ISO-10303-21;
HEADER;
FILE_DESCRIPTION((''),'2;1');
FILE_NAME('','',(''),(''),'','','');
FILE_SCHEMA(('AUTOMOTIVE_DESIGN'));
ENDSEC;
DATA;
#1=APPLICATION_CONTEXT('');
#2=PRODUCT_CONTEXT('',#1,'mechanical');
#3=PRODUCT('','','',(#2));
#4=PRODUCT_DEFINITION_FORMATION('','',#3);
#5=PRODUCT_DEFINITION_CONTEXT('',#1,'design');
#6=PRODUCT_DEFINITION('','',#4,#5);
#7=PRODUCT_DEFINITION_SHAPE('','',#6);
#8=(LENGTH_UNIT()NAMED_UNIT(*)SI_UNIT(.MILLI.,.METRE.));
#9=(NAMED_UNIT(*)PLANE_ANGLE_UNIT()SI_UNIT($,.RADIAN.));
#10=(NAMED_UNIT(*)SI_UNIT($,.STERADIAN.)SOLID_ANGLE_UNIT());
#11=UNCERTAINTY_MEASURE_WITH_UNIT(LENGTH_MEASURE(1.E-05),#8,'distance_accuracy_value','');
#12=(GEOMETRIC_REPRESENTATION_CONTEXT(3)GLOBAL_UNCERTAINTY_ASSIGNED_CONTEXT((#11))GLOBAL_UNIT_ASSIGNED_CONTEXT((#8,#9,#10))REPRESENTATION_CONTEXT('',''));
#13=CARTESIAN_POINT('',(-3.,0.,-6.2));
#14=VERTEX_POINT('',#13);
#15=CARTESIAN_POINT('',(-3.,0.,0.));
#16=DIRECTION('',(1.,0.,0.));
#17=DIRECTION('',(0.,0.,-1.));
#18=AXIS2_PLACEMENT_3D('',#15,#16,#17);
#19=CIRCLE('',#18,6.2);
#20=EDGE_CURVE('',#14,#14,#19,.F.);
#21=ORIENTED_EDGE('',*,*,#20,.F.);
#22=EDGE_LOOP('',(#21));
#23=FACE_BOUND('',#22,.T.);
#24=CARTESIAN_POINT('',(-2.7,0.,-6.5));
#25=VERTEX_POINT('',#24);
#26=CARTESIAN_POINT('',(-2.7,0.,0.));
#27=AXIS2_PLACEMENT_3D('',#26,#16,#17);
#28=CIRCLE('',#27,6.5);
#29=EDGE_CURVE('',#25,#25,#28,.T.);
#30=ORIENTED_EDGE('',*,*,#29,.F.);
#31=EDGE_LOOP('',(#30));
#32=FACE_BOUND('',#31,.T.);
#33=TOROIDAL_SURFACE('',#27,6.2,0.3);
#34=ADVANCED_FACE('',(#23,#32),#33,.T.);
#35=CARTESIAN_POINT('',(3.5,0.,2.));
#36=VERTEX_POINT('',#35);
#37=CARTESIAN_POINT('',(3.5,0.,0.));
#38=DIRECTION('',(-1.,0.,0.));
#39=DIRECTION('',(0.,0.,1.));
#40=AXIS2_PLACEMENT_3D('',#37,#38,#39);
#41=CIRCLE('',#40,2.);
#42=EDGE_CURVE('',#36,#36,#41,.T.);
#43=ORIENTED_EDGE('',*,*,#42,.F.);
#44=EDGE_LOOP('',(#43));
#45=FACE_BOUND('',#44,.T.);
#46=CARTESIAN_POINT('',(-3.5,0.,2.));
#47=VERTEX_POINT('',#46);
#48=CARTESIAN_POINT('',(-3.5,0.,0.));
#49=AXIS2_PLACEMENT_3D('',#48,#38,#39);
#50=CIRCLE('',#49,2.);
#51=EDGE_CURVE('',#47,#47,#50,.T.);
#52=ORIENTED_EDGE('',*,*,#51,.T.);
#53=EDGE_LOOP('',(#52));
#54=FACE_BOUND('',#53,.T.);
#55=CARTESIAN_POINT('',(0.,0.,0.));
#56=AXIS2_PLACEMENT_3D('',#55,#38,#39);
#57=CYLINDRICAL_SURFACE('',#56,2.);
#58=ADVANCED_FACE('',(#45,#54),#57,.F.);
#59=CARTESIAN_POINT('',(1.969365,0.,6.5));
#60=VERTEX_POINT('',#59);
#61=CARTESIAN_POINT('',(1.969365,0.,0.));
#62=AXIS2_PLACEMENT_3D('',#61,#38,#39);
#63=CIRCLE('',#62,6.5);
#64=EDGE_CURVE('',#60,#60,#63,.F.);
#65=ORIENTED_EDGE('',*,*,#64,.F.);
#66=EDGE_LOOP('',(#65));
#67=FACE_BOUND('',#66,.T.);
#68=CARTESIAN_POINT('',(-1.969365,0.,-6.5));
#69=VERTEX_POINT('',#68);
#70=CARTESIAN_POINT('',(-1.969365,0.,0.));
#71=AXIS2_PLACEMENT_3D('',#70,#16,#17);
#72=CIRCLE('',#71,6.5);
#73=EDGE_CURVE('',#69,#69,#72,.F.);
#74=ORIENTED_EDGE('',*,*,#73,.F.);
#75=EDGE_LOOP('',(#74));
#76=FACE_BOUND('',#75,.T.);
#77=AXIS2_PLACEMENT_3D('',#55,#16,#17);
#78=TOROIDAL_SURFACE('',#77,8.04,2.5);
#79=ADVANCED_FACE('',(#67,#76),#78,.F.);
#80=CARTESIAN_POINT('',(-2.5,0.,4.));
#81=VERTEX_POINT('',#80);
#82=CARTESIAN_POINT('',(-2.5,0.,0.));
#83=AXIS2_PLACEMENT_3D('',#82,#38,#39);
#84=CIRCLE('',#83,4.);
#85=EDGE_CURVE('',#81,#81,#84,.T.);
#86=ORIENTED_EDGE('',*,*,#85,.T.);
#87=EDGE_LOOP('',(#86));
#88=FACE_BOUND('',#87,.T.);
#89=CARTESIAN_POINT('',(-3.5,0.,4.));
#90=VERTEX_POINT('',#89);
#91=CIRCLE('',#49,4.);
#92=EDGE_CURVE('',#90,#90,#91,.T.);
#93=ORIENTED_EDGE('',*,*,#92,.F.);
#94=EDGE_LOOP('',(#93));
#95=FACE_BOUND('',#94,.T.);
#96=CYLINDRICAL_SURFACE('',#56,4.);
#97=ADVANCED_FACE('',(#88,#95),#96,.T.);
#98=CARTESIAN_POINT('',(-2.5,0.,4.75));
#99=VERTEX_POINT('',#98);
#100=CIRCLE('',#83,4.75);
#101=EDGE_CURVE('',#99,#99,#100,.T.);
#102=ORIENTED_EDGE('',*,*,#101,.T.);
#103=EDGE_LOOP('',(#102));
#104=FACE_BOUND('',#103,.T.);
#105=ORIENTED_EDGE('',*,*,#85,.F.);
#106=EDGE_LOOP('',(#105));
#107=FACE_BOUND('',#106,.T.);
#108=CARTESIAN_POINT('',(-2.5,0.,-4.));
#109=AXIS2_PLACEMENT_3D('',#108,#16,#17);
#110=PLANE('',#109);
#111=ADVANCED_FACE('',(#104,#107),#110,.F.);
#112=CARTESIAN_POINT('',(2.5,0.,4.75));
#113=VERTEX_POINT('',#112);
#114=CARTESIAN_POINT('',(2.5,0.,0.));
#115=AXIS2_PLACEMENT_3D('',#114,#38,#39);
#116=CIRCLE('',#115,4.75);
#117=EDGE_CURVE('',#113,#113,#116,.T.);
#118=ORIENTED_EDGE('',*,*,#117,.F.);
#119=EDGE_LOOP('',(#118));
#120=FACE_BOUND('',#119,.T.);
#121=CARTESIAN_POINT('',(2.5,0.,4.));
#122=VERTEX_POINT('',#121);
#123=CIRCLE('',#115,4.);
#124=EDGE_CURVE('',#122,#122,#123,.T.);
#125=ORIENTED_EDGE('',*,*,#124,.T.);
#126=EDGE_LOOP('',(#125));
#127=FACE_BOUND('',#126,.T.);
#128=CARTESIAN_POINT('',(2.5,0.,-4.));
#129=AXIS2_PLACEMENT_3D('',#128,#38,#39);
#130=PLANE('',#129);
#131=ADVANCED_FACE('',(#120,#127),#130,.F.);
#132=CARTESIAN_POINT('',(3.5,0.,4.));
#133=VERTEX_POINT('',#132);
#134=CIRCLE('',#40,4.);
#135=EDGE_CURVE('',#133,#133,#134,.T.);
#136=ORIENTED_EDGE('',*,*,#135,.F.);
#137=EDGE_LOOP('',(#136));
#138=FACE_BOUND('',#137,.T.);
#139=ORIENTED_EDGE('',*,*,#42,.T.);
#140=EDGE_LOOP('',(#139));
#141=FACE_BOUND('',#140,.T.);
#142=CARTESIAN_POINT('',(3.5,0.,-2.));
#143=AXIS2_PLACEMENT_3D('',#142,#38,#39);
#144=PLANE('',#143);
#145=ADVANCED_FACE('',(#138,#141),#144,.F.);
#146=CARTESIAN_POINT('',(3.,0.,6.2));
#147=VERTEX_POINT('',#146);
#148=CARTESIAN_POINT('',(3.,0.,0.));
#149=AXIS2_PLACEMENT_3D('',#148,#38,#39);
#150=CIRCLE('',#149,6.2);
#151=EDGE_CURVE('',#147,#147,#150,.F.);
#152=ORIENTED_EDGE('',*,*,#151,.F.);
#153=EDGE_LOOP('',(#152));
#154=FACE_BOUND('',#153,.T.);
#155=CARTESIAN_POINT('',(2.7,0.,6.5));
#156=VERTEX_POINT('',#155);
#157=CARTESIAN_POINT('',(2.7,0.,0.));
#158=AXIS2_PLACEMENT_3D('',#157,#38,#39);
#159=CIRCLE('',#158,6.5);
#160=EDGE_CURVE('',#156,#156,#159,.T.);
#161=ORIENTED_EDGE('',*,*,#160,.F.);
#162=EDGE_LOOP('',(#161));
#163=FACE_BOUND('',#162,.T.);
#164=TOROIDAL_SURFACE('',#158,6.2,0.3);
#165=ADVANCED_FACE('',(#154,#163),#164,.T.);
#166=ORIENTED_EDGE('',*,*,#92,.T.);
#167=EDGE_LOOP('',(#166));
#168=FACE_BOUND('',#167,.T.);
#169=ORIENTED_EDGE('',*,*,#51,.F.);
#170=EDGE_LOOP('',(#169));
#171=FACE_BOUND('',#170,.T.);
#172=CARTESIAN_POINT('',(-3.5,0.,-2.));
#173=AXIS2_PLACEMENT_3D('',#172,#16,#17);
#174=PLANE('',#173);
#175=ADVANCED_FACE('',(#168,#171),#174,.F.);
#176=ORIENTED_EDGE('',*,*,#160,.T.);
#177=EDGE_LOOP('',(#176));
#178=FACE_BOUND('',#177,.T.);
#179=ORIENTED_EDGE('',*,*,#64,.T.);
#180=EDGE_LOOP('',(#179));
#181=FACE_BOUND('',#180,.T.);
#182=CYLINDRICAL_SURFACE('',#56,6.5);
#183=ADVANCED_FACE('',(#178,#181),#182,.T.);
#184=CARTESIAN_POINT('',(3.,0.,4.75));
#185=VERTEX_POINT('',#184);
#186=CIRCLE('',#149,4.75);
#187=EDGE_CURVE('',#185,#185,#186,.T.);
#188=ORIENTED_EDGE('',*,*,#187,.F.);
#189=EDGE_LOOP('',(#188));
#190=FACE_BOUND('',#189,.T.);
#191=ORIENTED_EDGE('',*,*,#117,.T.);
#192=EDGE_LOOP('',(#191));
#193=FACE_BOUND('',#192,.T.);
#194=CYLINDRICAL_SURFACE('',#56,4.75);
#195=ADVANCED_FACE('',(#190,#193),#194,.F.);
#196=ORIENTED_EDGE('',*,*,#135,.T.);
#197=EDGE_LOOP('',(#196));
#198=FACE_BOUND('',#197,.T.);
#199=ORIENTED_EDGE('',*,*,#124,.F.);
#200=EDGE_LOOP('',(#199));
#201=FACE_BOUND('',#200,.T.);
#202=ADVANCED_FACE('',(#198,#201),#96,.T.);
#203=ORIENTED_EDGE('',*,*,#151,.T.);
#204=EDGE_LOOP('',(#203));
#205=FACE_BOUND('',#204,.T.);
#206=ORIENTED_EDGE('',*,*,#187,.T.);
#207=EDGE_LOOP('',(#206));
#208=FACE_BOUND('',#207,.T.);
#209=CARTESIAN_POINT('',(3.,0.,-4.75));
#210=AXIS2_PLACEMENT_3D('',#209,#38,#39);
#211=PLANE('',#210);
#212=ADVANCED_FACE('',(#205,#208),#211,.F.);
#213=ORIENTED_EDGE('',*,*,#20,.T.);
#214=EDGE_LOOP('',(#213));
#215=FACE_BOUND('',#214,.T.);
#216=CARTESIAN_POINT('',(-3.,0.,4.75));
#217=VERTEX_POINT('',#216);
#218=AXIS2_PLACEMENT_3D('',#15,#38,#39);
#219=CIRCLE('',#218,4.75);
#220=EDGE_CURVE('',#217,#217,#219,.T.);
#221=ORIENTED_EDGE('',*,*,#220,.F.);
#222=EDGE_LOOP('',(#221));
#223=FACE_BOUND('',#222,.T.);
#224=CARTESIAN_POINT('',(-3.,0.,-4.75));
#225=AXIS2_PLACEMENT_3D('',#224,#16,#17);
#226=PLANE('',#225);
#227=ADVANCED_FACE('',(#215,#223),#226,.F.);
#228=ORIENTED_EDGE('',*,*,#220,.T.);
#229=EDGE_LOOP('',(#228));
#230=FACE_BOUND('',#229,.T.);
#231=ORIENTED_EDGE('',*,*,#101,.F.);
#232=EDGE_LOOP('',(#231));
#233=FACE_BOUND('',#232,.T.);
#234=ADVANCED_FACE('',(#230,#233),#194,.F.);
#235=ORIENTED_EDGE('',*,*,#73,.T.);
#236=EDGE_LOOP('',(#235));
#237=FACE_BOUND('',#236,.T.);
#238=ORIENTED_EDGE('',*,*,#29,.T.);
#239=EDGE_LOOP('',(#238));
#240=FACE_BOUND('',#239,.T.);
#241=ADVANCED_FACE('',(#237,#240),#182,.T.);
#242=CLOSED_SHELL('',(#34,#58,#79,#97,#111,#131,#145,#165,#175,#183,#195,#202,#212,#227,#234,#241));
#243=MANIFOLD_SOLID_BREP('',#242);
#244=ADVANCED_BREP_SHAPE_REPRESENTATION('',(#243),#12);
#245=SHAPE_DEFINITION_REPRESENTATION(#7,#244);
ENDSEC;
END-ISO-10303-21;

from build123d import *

# Parameters (mm, degrees)
SKETCH_2_R = 2.5
FILLET_1_R = 0.3


with BuildPart() as part:
    # 草图1 → 旋转1 (revolve)
    with BuildSketch(Plane(origin=(0, 0, 0), x_dir=(1, 0, 0), z_dir=(0, 1, 0)), mode=Mode.PRIVATE) as revolve_1_sk:
        Polygon((-3.5, 2), (3.5, 2), (3.5, 4), (2.5, 4), (2.5, 4.75), (3, 4.75), (3, 6.5), (-3, 6.5), (-3, 4.75), (-2.5, 4.75), (-2.5, 4), (-3.5, 4), align=None)
    revolve(revolve_1_sk.sketch.rotate(Axis((0, 0, 0), (1, 0, 0)), 180), axis=Axis((0, 0, 0), (1, 0, 0)))

    # 草图2 → 切除-旋转1 (revolve, cut)
    with BuildSketch(Plane(origin=(0, 0, 0), x_dir=(1, 0, 0), z_dir=(0, 1, 0)), mode=Mode.PRIVATE) as cut_revolve_1_sk:
        with Locations((0, 8.04)):
            Circle(SKETCH_2_R)
    revolve(cut_revolve_1_sk.sketch.rotate(Axis((0, 0, 0), (-1, 0, 0)), 180), axis=Axis((0, 0, 0), (-1, 0, 0)), mode=Mode.SUBTRACT)

    # 圆角1
    fillet_1_edges = [part.edges().sort_by_distance(p)[0] for p in [
        (3, 0, -6.5),
        (-3, 0, -6.5),
    ]]
    fillet(fillet_1_edges, radius=FILLET_1_R)


solid = part.part
